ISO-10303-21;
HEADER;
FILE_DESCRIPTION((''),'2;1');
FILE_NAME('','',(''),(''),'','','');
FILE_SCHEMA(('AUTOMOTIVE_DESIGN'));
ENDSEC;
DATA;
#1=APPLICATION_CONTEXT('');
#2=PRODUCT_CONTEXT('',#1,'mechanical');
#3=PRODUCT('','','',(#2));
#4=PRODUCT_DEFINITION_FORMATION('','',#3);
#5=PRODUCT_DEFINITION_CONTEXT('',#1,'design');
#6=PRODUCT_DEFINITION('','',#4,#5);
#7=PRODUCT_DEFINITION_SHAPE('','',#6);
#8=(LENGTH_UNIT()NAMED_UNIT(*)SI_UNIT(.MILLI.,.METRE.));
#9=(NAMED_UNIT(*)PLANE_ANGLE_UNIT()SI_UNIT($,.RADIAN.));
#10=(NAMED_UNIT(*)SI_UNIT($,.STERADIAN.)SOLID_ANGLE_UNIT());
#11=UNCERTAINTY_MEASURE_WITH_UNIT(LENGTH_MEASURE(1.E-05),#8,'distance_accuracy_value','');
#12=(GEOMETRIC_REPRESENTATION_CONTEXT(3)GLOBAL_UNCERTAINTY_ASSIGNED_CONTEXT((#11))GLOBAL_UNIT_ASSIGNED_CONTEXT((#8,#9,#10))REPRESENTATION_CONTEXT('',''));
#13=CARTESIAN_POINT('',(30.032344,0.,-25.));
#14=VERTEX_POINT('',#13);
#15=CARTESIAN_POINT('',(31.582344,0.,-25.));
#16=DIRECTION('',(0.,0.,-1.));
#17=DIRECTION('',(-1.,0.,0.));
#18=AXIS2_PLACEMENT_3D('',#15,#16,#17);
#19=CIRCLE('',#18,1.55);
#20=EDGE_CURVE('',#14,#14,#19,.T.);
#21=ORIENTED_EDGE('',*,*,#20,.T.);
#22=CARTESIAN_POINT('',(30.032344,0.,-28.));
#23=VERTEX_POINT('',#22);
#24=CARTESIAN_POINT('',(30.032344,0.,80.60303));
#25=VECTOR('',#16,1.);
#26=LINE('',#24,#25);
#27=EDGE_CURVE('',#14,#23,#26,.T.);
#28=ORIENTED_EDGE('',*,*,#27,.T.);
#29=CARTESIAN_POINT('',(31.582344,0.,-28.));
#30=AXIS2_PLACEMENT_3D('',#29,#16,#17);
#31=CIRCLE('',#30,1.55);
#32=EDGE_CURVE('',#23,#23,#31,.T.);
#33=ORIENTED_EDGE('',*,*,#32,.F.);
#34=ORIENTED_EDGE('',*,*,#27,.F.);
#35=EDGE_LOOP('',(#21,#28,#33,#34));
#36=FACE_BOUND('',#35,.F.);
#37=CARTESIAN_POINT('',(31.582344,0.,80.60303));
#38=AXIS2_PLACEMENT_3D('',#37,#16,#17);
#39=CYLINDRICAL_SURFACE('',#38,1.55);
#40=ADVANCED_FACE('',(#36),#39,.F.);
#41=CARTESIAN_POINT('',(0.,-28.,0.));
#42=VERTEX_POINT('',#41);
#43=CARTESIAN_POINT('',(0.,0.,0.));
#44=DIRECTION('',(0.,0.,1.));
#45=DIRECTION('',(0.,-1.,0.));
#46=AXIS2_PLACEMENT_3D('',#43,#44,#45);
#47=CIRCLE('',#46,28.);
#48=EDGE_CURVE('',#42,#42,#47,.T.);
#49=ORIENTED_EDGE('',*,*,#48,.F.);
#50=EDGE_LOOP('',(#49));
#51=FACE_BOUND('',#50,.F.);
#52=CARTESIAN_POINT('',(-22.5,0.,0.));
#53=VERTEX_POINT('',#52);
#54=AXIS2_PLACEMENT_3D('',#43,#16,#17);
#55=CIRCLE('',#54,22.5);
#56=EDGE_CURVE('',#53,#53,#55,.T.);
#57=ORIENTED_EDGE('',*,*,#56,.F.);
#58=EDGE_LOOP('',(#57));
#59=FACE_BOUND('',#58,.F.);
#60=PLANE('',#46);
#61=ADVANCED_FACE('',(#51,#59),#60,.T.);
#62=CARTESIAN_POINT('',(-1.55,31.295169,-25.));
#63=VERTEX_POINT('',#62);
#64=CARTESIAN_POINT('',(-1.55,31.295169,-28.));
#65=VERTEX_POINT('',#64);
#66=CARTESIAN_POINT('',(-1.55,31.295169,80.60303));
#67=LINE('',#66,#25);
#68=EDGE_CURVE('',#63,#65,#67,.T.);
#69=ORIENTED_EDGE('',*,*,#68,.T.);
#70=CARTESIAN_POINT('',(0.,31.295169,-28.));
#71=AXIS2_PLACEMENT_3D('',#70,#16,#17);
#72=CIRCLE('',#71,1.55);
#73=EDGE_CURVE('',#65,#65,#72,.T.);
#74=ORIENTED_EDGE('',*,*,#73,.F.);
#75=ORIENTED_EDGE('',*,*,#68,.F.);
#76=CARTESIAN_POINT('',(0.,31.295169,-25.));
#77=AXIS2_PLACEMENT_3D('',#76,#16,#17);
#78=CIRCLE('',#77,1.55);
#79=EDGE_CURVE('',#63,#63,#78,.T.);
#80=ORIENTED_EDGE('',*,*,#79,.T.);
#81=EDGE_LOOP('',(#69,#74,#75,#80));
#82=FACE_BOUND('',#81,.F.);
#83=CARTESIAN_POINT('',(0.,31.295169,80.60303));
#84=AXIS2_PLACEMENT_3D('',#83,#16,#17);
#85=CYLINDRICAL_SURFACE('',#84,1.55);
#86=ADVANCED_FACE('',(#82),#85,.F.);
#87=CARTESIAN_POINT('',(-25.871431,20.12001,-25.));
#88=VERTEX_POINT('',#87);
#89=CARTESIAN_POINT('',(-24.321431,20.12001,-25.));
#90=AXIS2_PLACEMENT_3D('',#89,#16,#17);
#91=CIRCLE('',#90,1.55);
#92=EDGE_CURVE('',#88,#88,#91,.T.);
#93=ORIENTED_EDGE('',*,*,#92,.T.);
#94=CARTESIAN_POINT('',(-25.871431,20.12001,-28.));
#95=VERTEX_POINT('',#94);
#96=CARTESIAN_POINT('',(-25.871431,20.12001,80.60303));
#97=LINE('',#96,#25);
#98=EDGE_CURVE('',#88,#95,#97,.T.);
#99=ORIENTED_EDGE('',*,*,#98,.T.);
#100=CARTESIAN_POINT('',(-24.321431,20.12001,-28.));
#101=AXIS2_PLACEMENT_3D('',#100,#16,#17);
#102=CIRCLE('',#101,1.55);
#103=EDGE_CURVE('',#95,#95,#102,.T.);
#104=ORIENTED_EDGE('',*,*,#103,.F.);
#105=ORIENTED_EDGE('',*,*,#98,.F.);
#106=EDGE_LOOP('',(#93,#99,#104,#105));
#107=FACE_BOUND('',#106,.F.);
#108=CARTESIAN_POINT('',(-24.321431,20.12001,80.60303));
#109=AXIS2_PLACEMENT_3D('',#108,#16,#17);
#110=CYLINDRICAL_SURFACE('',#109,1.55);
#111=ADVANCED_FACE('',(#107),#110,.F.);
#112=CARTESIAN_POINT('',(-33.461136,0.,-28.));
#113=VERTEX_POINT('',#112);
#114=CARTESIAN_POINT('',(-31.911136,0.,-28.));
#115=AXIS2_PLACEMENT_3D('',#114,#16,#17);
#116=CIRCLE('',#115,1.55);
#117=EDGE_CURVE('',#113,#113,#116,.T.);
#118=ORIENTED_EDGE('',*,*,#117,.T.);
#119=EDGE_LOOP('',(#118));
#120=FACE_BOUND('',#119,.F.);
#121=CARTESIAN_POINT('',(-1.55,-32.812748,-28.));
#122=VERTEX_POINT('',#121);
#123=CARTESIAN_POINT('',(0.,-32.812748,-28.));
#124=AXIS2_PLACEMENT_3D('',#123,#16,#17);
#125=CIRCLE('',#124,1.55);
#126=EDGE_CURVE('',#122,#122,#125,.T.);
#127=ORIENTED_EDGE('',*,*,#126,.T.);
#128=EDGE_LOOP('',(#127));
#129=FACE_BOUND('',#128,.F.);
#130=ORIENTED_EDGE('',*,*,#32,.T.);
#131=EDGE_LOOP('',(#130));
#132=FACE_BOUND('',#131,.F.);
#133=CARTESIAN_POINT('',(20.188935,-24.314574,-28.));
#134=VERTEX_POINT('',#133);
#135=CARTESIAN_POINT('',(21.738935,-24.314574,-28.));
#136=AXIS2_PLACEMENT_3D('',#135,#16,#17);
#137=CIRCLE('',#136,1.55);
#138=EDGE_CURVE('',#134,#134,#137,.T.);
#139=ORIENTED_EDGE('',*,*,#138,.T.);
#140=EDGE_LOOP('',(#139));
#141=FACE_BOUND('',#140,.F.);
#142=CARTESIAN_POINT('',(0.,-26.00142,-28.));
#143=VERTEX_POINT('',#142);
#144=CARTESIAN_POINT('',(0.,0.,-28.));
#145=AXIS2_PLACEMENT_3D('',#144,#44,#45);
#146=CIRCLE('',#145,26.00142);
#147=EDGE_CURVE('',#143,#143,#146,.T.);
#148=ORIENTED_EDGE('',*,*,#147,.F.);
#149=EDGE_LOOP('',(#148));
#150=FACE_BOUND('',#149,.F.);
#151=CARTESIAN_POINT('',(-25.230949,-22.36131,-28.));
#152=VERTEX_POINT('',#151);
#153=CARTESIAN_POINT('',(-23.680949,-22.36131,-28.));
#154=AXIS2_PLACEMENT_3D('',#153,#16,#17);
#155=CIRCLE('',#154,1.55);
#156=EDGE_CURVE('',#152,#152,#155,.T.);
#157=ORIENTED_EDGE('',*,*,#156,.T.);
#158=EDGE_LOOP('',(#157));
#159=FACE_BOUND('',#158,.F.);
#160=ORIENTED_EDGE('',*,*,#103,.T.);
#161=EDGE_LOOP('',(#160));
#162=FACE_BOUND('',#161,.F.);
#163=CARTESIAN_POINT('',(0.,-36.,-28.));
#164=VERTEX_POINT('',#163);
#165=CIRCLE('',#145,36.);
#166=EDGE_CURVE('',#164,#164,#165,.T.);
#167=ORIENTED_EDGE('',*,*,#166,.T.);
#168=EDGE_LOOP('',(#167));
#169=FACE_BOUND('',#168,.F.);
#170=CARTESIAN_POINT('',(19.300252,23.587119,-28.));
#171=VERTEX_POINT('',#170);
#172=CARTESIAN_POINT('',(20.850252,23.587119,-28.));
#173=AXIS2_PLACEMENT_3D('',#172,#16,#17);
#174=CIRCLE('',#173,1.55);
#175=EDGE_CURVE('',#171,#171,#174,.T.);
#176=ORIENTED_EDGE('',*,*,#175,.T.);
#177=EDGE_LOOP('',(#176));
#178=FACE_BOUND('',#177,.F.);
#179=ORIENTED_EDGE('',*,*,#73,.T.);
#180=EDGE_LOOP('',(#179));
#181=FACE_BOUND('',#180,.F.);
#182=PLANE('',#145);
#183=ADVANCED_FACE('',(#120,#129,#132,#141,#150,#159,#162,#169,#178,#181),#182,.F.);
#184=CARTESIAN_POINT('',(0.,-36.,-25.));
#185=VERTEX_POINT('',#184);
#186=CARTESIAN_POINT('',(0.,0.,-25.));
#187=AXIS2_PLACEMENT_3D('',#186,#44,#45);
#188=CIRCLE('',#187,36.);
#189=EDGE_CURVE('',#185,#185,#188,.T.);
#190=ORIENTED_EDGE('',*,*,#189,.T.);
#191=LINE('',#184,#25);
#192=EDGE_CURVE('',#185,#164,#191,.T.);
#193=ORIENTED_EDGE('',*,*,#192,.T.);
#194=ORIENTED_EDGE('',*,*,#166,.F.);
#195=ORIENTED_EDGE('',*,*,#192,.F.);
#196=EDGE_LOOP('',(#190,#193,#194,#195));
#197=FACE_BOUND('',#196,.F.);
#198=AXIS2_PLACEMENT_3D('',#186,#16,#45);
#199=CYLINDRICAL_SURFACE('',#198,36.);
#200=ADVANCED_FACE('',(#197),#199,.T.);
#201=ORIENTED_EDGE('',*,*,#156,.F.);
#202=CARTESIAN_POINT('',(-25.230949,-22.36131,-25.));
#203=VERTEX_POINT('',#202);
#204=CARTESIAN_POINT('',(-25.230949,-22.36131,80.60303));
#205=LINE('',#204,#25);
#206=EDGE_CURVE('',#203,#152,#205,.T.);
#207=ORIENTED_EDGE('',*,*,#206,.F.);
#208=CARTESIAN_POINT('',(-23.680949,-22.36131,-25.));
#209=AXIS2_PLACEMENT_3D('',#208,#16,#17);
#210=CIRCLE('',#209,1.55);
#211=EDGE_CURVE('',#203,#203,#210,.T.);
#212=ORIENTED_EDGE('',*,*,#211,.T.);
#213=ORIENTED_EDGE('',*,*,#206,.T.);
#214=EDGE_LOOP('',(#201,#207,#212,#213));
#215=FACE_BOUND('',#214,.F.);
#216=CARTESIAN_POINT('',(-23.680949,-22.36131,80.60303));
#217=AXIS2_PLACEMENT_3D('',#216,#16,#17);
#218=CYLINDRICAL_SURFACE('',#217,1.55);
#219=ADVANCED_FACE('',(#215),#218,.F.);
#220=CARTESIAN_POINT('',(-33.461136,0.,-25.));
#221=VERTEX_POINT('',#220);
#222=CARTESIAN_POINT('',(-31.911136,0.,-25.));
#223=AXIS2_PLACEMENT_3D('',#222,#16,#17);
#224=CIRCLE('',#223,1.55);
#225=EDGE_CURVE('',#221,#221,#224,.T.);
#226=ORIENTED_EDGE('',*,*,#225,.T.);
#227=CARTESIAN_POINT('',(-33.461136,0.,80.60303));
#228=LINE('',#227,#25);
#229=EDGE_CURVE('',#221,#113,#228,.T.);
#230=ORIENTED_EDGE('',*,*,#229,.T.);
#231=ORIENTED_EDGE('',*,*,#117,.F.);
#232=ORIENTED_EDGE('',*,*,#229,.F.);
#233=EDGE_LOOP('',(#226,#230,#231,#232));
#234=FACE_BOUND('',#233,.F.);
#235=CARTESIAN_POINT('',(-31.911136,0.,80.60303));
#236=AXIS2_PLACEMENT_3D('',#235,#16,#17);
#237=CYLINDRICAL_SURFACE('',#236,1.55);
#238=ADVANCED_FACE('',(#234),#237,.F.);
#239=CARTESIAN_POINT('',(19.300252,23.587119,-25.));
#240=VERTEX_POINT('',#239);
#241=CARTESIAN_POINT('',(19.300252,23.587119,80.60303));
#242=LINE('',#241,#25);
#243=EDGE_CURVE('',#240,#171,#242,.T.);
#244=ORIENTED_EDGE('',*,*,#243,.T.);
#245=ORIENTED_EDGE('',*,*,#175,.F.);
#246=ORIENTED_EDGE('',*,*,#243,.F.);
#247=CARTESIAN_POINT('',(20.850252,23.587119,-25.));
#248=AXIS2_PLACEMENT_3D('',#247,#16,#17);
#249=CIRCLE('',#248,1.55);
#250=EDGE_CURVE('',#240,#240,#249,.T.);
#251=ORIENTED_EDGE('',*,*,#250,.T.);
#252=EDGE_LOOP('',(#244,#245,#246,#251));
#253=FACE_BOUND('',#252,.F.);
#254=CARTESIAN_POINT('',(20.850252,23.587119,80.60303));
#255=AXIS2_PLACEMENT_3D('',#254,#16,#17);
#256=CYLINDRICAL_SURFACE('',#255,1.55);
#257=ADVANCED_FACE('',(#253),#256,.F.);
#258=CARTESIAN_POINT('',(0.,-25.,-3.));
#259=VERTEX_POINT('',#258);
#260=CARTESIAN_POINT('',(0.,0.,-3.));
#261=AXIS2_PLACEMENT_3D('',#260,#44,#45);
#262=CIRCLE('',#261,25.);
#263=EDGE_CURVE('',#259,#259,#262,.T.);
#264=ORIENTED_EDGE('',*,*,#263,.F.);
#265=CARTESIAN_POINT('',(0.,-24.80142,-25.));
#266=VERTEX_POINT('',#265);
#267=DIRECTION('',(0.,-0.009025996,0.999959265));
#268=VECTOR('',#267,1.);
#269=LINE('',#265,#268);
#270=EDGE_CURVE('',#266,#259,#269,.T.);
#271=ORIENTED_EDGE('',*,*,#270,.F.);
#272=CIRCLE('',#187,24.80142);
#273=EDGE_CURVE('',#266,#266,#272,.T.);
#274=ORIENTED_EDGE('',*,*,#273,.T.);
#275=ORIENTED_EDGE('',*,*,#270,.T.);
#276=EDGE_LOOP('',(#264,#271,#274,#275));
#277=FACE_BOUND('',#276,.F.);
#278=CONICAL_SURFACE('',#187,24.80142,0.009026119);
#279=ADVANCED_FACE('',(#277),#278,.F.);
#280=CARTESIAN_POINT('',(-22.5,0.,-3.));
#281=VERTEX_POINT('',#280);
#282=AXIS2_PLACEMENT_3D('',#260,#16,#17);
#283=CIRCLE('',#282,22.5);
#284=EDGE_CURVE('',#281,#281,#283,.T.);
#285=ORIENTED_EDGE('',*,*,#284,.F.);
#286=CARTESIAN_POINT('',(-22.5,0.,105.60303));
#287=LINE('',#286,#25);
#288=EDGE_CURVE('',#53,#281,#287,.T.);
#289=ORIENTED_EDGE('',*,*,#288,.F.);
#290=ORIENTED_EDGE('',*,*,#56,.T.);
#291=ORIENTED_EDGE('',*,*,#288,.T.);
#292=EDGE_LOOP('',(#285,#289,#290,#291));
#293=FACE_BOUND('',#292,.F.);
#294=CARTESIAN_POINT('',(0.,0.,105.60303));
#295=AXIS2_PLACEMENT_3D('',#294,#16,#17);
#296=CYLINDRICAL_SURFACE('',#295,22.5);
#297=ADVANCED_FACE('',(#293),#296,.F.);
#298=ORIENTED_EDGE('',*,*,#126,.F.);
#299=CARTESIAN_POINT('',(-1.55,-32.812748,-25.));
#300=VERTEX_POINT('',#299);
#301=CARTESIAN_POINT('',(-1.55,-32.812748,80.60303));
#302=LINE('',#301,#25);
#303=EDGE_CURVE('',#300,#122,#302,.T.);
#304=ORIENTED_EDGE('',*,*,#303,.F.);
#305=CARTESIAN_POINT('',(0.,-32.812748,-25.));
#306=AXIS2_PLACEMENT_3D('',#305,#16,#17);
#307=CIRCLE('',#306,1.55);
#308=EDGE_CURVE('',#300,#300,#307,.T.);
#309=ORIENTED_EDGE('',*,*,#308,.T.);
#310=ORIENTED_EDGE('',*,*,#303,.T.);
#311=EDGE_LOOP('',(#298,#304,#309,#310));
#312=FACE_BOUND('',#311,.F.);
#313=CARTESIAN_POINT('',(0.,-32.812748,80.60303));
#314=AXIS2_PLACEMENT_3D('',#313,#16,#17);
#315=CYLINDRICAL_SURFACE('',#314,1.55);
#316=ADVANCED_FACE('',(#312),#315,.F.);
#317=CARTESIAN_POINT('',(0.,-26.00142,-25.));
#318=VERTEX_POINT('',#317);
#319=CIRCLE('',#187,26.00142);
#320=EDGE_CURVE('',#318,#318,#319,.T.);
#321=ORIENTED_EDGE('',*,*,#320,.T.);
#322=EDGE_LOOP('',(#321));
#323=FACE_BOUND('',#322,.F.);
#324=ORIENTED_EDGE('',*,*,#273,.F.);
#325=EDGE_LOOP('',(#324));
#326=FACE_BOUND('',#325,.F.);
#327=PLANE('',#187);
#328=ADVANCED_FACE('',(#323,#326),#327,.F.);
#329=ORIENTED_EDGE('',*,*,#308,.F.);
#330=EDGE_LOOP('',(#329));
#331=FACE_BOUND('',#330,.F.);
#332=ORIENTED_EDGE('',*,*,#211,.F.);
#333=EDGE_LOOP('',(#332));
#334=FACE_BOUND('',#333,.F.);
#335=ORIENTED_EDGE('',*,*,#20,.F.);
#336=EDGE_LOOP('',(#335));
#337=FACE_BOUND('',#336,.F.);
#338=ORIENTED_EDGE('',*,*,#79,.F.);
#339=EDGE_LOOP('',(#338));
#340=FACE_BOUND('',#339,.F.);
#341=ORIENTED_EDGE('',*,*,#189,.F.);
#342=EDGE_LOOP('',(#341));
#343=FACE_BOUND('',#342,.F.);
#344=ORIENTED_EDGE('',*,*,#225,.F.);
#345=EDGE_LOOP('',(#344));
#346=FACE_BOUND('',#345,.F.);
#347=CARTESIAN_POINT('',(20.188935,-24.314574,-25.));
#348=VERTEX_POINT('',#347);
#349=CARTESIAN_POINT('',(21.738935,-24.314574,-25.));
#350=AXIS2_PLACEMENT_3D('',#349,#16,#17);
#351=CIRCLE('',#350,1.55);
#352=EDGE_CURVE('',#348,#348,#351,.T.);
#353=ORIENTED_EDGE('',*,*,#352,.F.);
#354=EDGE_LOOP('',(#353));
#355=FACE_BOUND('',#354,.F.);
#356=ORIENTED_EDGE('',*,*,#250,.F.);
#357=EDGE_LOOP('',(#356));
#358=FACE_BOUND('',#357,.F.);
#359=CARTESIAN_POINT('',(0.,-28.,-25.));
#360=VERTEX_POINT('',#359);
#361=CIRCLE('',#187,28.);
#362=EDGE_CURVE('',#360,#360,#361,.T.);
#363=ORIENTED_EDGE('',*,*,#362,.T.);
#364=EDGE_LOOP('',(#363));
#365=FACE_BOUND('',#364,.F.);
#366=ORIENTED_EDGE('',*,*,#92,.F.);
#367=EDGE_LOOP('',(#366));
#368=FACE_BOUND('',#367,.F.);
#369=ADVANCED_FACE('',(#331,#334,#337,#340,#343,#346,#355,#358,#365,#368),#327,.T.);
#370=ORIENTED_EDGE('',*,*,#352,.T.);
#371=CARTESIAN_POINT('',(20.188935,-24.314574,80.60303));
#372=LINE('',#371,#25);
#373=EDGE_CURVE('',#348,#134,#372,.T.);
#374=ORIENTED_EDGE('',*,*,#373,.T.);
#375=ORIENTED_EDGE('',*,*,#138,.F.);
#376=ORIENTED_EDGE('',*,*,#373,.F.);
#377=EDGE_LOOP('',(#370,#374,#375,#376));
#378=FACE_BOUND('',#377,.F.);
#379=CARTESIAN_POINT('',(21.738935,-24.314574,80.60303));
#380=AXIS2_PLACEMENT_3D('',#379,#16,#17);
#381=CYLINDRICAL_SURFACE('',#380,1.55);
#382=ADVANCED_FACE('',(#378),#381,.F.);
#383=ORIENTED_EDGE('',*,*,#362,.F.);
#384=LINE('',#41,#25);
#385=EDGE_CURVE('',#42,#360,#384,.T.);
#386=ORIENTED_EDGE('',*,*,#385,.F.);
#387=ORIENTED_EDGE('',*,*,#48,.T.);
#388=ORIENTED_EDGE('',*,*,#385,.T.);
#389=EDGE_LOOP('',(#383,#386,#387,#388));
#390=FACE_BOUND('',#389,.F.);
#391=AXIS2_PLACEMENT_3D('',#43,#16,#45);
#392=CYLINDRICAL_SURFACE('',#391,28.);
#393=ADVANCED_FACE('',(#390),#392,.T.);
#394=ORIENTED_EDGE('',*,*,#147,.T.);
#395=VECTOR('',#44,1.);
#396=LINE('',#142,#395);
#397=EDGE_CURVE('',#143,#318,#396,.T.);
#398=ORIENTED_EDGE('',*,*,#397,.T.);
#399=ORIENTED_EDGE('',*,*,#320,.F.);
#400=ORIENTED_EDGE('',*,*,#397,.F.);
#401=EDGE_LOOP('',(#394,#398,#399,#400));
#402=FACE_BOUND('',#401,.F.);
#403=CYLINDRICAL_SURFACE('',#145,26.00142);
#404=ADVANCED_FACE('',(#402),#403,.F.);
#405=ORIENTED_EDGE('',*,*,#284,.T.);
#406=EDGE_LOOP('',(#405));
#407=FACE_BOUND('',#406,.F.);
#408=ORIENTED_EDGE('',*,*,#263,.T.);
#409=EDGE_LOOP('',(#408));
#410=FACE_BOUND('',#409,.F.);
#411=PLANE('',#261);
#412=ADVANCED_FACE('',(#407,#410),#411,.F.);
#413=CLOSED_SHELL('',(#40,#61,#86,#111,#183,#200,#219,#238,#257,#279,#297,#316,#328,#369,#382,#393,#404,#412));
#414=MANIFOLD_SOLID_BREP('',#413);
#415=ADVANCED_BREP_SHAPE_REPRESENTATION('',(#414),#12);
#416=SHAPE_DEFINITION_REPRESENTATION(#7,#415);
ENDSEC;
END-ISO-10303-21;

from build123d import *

# Parameters (mm, degrees)
F3_D = 45
F5_D = 3.1


with BuildPart() as f1:
    # F0 (on Right) → F1 (revolve)
    with BuildSketch(Plane.YZ):
        Polygon((0, -3), (0, 0), (-28, 0), (-28, -25), (-36, -25), (-36, -28), (-26.00142, -28), (-26.00142, -25), (-24.80142, -25), (-25, -3), align=None)
    revolve(axis=Axis((0, 0, -1.5), (0, 0, 1)))

    # F3 (through all)
    with Locations(Plane.XY):
        with Locations((0, 0)):
            Hole(F3_D / 2)

    # F5 (through all)
    with Locations(Plane.XY.offset(-25)):
        with Locations((-23.680949, -22.36131), (-31.911136, 0), (-24.321431, 20.12001), (0, 31.295169), (20.850252, 23.587119), (31.582344, 0), (21.738935, -24.314574), (0, -32.812748)):
            Hole(F5_D / 2)


solid = f1.part
